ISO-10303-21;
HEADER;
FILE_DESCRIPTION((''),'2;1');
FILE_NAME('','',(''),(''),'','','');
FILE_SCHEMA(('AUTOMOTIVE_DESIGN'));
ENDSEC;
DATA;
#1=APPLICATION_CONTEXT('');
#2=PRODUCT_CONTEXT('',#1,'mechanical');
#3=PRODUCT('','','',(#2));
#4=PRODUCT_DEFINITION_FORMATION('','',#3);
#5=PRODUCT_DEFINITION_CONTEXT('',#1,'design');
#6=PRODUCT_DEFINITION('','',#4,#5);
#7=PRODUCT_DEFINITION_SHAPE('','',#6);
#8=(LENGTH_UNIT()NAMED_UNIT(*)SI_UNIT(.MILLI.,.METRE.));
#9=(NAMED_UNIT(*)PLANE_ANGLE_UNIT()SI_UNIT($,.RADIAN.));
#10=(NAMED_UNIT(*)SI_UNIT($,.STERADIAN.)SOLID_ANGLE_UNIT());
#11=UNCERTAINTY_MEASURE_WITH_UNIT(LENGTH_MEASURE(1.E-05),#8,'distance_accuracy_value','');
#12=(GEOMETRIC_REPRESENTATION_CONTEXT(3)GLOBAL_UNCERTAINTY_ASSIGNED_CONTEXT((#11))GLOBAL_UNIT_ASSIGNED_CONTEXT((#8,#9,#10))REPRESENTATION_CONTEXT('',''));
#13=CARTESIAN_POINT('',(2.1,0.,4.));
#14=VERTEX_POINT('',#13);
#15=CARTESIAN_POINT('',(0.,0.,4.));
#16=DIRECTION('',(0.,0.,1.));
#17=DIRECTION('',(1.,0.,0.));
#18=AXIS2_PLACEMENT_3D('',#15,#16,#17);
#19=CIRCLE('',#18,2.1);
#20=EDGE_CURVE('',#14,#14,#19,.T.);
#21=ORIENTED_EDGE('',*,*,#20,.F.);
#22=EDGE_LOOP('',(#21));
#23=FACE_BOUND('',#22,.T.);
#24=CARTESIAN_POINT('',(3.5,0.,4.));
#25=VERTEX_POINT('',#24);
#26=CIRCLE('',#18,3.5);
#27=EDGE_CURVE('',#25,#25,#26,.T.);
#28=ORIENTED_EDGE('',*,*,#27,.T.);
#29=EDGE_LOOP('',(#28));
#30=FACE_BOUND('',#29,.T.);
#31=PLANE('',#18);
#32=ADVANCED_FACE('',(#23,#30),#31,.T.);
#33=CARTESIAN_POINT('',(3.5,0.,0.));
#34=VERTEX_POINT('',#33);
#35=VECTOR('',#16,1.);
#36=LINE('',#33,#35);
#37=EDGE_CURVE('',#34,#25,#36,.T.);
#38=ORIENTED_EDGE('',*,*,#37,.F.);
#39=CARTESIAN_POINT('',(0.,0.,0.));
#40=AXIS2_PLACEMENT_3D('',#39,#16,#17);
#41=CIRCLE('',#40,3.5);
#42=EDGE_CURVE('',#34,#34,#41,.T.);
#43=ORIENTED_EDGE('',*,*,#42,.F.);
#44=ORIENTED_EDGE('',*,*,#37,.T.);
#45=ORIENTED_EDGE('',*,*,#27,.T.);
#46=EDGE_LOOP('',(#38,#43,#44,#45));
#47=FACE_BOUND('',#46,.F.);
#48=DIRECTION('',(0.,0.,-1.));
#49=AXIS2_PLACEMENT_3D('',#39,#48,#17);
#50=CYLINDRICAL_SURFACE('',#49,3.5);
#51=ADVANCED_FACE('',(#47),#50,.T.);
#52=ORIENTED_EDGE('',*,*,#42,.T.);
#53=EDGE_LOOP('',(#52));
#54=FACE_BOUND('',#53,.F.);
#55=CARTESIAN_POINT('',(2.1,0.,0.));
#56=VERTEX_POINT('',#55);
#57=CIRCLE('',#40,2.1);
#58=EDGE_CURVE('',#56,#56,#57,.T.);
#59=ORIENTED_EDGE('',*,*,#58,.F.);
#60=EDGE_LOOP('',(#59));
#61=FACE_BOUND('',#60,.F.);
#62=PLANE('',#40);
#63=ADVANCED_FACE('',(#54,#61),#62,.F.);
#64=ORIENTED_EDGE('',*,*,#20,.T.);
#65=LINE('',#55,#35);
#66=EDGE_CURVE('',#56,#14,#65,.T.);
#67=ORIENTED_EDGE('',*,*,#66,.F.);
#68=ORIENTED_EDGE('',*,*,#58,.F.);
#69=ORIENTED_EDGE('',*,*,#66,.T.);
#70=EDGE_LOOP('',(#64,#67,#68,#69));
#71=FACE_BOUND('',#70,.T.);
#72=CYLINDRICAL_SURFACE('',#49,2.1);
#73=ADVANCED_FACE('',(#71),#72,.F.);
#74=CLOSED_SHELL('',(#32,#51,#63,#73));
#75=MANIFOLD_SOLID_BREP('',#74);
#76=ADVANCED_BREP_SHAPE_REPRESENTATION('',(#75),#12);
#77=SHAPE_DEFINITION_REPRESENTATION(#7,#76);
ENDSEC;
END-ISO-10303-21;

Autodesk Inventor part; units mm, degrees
ref_plane "YZ Plane" through (0, 0, 0) normal (1, 0, 0) x (0, 1, 0)
ref_plane "XZ Plane" through (0, 0, 0) normal (0, 1, 0) x (-1, 0, 0)
ref_plane "XY Plane" through (0, 0, 0) normal (0, 0, 1) x (1, 0, 0)
sketch "スケッチ1" plane through (0, 0, 0) normal (0, 0, 1) x (1, 0, 0)
  circle A0 centre (0, 0) radius 2.1
  circle A1 centre (0, 0) radius 3.5
  dimension "d0" = 4.2
  dimension "d1" = 1.4
extrude "押し出し1" add sketch "スケッチ1" along normal blind 4
properties part number "シムリング0407.4t自作" material "アルミニウム 2014-T4"
